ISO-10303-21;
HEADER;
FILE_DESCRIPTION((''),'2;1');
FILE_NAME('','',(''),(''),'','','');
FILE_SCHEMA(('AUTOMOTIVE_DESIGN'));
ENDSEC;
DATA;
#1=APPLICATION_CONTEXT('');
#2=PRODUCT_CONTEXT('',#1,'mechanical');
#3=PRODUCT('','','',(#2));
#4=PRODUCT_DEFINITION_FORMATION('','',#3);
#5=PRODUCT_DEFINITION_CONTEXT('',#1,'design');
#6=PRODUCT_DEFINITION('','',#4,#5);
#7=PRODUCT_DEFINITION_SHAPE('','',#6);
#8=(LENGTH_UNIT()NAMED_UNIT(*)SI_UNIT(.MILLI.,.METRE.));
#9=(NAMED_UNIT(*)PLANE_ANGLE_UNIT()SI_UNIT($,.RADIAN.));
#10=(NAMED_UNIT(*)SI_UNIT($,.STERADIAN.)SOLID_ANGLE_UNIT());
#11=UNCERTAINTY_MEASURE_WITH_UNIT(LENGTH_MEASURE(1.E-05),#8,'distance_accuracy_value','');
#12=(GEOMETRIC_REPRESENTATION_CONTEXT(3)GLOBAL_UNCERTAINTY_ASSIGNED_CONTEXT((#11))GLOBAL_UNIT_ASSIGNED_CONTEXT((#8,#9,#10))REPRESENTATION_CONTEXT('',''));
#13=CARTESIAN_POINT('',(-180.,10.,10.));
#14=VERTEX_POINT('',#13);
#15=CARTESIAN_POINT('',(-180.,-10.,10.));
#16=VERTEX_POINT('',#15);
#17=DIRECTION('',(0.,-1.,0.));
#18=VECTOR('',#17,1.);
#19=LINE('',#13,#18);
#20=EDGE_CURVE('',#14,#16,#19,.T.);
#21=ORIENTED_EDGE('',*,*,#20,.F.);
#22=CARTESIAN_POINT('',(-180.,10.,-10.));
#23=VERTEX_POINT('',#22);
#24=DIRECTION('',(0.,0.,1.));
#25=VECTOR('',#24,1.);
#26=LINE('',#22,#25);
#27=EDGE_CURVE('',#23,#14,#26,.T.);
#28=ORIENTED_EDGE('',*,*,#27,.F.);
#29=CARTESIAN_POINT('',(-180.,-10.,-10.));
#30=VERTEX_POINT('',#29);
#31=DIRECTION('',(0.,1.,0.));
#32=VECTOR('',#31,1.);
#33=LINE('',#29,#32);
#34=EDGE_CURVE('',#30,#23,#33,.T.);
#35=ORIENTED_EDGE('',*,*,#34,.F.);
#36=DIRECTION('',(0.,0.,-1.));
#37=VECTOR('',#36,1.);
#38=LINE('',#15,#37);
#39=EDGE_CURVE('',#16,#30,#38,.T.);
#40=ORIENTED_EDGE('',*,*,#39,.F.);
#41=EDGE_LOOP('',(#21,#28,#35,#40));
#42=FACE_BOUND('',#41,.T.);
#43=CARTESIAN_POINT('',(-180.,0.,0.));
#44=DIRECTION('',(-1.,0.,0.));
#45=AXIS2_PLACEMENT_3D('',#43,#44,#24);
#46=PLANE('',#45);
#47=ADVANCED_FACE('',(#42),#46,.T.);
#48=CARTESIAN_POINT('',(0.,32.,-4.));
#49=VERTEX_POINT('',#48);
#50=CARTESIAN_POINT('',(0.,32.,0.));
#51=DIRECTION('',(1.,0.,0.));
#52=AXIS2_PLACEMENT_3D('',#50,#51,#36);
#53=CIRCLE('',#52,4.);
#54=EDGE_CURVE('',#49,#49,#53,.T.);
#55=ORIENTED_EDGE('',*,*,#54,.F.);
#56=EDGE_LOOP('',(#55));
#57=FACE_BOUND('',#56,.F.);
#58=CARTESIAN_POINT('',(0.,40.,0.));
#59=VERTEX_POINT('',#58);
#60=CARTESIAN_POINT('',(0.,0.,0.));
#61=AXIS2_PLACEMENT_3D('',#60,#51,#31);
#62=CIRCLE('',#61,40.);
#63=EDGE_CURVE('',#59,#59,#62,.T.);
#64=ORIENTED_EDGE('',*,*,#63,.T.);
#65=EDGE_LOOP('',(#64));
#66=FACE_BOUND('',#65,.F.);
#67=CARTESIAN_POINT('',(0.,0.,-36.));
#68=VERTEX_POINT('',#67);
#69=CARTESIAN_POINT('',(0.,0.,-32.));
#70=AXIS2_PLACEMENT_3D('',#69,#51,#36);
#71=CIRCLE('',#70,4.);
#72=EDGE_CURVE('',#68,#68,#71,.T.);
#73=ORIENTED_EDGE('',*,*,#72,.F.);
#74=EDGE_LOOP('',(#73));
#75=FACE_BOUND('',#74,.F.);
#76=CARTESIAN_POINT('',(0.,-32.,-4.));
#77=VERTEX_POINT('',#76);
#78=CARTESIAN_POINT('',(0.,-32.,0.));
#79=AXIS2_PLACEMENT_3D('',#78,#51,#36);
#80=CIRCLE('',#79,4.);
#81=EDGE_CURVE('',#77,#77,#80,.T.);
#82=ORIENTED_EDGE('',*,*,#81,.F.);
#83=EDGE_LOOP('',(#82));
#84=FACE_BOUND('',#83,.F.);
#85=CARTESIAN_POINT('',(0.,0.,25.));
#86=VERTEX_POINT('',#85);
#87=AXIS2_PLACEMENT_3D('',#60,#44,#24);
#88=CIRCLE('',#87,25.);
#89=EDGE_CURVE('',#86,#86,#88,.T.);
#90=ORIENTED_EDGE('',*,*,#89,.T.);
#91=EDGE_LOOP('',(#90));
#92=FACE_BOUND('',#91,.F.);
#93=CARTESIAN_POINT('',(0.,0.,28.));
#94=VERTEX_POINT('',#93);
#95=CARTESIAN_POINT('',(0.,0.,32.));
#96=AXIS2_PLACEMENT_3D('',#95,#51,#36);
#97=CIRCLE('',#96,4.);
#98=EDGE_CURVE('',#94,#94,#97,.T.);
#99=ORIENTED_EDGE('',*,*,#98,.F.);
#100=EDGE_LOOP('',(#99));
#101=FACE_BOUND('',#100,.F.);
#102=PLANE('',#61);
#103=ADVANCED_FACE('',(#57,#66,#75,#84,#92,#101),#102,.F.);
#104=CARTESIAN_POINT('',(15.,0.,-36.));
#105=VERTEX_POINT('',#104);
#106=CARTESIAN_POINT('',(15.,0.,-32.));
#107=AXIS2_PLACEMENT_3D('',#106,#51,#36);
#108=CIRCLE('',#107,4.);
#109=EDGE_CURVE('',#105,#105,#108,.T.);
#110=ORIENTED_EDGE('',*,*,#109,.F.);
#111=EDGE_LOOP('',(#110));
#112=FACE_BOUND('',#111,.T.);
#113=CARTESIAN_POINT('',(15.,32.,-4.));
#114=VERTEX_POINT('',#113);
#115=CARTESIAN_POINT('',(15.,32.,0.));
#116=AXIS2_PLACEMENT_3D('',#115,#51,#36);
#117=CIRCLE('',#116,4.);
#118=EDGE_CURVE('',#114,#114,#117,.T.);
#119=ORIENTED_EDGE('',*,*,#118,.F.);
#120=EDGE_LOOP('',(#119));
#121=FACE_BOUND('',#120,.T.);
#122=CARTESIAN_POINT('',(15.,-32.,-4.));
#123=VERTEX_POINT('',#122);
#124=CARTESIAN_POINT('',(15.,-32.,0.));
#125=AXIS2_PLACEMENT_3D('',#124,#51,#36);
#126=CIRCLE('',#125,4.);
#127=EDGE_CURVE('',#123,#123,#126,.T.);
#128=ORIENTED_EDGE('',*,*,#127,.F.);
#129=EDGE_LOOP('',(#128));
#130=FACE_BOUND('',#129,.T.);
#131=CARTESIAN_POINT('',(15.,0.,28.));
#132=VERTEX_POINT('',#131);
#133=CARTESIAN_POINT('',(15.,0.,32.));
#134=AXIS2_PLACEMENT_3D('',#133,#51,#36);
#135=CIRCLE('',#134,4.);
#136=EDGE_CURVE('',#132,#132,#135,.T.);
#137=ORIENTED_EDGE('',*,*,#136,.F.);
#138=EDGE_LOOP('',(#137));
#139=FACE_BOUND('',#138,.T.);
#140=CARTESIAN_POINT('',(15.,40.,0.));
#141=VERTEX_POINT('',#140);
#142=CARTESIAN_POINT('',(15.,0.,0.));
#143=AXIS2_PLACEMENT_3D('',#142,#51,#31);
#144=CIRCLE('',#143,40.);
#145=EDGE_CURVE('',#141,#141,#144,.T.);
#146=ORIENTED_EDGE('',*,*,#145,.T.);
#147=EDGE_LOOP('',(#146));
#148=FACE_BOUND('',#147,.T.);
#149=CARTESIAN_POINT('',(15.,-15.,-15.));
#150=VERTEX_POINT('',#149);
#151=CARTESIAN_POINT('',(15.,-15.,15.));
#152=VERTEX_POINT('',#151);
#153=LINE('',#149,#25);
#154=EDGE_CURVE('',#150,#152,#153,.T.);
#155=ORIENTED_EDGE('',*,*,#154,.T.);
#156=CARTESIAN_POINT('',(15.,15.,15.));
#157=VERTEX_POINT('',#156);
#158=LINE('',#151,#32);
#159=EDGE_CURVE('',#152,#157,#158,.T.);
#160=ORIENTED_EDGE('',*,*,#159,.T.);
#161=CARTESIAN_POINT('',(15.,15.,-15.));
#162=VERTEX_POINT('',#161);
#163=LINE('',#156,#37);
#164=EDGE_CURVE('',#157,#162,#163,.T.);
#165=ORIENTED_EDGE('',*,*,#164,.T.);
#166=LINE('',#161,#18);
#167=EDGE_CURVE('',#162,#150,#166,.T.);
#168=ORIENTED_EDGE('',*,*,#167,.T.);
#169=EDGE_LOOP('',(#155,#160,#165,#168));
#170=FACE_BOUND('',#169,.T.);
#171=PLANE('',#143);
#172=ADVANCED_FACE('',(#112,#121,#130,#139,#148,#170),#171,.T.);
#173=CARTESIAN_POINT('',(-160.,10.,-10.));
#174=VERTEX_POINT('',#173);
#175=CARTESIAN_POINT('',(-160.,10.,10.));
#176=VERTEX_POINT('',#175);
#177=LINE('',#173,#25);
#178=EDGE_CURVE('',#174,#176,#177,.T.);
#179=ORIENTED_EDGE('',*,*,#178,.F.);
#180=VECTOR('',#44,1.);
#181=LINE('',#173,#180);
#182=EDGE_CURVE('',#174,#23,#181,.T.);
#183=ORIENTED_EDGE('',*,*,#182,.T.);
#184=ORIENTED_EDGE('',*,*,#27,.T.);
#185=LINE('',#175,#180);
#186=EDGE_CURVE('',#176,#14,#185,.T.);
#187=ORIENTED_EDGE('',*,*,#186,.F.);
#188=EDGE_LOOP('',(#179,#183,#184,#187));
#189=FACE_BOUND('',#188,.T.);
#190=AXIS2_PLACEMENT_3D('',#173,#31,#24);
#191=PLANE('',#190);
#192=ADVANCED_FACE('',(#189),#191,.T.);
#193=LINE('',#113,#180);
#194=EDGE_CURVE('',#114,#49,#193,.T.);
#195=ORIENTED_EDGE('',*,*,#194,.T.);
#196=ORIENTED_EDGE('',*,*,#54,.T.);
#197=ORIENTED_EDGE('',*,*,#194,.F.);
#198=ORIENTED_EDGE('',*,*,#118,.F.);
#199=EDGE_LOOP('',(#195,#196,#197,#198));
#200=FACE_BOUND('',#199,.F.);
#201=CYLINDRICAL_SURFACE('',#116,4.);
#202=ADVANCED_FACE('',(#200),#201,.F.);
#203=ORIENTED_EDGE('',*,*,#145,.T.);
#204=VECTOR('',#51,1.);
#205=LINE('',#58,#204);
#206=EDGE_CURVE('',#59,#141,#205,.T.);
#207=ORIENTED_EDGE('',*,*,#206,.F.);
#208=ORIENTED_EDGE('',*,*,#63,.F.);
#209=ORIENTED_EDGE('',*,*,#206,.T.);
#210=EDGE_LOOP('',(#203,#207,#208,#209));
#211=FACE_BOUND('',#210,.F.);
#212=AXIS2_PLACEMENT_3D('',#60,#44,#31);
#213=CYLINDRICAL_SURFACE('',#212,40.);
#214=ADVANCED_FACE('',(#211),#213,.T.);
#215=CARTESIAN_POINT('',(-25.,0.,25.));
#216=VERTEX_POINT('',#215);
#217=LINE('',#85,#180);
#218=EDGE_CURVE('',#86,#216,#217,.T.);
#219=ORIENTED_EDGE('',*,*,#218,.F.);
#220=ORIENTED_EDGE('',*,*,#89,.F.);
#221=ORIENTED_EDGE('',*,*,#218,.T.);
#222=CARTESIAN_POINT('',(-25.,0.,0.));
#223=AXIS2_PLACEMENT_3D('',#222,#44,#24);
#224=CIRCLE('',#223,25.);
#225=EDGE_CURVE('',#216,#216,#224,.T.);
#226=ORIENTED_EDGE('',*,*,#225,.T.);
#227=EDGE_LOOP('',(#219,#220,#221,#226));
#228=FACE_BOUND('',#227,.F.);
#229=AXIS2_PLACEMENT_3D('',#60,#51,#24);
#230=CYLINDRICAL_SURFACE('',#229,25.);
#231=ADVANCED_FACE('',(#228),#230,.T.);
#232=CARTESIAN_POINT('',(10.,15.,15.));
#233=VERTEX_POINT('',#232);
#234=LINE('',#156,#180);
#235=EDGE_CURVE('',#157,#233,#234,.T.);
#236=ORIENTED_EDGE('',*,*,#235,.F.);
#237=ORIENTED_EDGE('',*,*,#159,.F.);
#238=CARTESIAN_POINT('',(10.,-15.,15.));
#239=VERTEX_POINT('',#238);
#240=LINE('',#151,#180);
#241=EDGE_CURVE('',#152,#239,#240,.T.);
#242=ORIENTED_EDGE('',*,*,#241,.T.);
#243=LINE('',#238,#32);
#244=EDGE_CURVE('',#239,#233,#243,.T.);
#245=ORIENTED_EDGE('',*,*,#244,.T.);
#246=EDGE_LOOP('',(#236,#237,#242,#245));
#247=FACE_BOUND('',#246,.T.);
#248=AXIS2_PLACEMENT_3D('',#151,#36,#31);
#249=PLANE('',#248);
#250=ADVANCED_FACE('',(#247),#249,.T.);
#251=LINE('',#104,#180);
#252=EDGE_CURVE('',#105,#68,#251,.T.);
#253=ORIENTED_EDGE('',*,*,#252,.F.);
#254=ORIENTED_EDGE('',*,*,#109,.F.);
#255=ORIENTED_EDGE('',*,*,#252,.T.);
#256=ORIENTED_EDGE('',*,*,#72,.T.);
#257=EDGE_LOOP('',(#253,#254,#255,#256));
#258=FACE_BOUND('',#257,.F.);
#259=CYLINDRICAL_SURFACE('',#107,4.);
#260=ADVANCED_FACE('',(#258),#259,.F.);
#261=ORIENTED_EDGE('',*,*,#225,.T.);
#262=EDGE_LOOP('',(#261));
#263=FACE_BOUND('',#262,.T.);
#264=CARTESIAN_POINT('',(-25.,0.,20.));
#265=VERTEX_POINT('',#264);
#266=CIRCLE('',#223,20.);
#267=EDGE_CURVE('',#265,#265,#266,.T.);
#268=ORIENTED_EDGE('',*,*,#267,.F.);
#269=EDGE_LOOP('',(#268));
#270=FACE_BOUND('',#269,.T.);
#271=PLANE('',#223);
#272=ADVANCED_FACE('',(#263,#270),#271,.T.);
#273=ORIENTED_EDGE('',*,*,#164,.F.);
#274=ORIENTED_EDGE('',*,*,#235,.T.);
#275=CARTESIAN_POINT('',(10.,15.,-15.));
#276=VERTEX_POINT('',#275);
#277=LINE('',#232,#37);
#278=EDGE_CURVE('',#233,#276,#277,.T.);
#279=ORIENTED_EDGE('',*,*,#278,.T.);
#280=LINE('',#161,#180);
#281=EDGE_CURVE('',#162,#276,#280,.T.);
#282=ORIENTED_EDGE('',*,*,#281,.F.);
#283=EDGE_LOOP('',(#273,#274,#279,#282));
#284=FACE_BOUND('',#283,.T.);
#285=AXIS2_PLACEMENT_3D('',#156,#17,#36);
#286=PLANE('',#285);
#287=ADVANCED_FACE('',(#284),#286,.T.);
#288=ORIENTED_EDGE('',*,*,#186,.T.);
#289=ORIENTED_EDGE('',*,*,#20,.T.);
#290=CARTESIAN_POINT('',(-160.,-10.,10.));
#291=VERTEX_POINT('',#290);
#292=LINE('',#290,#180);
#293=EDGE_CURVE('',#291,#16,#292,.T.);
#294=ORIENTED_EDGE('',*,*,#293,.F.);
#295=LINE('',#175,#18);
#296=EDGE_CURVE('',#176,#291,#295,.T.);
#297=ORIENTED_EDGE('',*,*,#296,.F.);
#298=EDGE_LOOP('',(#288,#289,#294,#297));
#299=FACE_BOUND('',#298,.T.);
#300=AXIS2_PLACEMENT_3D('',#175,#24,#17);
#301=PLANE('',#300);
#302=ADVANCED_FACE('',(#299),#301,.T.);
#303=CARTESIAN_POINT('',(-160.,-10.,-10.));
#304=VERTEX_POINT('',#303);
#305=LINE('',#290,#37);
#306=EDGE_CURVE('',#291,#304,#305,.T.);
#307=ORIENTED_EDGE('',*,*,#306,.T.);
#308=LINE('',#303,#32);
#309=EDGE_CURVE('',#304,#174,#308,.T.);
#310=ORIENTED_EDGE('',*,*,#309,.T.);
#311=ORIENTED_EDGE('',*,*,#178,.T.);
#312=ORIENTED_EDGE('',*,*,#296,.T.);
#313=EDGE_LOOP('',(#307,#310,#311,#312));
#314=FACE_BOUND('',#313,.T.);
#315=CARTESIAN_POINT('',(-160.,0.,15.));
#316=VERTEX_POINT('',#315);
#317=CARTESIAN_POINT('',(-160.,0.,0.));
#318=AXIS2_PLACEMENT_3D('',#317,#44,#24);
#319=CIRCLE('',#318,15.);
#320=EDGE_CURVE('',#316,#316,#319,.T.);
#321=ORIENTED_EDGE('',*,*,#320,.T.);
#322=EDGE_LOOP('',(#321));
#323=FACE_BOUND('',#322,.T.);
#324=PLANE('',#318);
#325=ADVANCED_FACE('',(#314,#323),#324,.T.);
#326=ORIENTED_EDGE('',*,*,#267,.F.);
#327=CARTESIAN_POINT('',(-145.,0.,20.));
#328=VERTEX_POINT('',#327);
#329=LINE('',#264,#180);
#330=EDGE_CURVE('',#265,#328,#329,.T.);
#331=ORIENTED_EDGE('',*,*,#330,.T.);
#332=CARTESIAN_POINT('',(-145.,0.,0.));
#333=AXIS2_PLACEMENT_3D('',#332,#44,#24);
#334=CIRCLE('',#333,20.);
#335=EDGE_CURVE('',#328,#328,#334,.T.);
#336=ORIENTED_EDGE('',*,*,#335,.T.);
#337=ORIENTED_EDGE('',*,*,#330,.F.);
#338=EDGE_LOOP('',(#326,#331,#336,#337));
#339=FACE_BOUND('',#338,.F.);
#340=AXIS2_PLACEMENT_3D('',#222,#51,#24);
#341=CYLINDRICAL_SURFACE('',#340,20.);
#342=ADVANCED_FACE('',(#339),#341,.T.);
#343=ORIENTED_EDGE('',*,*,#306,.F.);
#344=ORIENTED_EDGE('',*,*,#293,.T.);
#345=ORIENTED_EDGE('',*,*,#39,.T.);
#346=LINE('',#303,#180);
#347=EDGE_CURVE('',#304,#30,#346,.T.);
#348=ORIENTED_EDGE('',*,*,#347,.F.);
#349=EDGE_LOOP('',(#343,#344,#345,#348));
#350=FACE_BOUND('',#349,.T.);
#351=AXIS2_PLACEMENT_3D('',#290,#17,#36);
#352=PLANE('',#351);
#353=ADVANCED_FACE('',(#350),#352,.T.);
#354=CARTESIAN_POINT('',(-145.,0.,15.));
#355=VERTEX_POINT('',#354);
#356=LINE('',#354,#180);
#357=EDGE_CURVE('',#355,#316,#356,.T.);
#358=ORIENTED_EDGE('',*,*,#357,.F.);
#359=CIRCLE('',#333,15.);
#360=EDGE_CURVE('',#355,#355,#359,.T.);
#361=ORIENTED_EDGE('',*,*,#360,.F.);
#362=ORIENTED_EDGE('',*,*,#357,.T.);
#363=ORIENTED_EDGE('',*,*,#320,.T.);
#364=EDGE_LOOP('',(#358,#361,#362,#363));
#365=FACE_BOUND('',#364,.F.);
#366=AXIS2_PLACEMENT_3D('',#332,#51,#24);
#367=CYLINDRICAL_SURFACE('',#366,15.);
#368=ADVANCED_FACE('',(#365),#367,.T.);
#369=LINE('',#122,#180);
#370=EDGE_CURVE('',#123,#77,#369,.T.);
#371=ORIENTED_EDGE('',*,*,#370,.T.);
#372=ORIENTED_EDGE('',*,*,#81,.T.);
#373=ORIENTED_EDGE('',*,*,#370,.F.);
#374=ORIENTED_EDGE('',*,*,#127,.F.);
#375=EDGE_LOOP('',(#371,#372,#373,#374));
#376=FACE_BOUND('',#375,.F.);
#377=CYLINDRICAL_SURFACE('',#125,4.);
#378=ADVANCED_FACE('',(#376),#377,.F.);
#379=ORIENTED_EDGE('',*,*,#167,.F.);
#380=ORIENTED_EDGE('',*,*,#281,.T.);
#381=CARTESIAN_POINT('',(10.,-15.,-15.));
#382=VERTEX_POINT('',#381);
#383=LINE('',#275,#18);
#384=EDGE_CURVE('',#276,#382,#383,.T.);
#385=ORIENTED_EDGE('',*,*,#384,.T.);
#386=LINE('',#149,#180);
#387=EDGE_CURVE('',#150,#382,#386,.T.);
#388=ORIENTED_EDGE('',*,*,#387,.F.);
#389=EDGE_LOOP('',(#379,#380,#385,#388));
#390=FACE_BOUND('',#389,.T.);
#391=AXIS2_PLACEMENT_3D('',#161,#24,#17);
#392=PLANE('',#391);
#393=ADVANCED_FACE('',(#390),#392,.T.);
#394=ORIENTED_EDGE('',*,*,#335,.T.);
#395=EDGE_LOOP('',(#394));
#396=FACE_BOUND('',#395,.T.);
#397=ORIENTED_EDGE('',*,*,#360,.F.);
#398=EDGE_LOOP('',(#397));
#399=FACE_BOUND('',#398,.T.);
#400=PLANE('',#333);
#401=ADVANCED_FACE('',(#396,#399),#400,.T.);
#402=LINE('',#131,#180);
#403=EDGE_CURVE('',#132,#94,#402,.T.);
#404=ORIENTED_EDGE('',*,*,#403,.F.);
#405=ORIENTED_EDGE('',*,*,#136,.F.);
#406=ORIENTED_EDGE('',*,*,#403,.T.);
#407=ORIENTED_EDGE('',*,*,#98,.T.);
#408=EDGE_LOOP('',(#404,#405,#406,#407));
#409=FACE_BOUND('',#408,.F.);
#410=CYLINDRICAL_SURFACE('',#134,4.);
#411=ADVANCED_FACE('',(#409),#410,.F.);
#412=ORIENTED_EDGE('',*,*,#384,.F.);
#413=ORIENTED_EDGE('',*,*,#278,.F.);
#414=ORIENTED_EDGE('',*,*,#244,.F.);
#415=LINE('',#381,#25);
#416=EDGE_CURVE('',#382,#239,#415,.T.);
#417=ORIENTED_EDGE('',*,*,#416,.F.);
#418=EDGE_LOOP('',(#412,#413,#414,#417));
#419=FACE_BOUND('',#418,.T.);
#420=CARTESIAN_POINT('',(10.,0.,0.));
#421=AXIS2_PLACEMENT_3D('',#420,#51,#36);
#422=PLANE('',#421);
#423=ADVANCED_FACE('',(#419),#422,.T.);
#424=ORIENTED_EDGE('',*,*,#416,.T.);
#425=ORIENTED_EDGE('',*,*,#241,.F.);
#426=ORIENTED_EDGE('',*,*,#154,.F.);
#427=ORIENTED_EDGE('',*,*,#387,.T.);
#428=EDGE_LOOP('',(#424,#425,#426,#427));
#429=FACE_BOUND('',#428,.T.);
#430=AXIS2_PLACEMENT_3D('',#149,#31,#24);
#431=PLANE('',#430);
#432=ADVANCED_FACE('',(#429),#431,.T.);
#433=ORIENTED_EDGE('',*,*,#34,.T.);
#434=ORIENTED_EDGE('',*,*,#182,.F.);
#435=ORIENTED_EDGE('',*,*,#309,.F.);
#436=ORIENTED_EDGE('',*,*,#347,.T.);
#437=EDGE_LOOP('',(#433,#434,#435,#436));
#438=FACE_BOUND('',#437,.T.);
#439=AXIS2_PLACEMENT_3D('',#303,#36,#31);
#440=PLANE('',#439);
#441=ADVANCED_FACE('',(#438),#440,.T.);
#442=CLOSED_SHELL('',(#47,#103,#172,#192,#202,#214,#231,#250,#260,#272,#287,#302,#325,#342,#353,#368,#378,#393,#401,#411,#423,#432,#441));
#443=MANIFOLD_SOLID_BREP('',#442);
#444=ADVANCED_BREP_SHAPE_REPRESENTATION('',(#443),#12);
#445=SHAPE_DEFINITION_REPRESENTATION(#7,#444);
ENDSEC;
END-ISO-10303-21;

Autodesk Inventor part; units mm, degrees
ref_plane "YZ Plane" through (0, 0, 0) normal (1, 0, 0) x (0, 1, 0)
ref_plane "XZ Plane" through (0, 0, 0) normal (0, 1, 0) x (-1, 0, 0)
ref_plane "XY Plane" through (0, 0, 0) normal (0, 0, 1) x (1, 0, 0)
sketch "Sketch1" plane through (0, 0, 0) normal (1, 0, 0) x (0, 1, 0)
  circle A0 centre (0, 0) radius 40
  dimension "d0" = 80
extrude "Extrusion1" add sketch "Sketch1" along normal blind 15
sketch "Sketch2" plane through (0, 0, 0) normal (-1, 0, 0) x (0, 0, 1)
  circle A0 centre (0, 0) radius 25
  circle A1 centre (0, 0) radius 40 projected
  dimension "d3" = 50
extrude "Extrusion2" add sketch "Sketch2" along normal blind 25 contours A0
sketch "Sketch3" plane through (-25, 0, 0) normal (-1, 0, 0) x (0, 0, 1)
  circle A0 centre (0, 0) radius 20
  circle A1 centre (0, 0) radius 25 projected
  dimension "d6" = 40
extrude "Extrusion3" add sketch "Sketch3" along normal blind 120 contours A0
sketch "Sketch4" plane through (-145, 0, 0) normal (-1, 0, 0) x (0, 0, 1)
  circle A0 centre (0, 0) radius 15
  circle A1 centre (0, 0) radius 20 projected
  dimension "d9" = 30
extrude "Extrusion4" add sketch "Sketch4" along normal blind 15 contours A0
sketch "Sketch5" plane through (-160, 0, 0) normal (-1, 0, 0) x (0, 0, 1)
  line L0 (-10, 10) -> (10, 10)
  line L1 (10, 10) -> (10, -10)
  line L2 (10, -10) -> (-10, -10)
  line L3 (-10, -10) -> (-10, 10)
  point P0 (0, 0)
  dimension "d12" = 20
  dimension "d13" = 20
  dimension "d14" = 10
  dimension "d15" = 10
extrude "Extrusion5" add sketch "Sketch5" along normal blind 20
sketch "Sketch6" plane through (15, 0, 0) normal (1, 0, 0) x (0, 0, -1)
  line L0 (-15, 15) -> (15, 15)
  line L1 (15, 15) -> (15, -15)
  line L2 (15, -15) -> (-15, -15)
  line L3 (-15, -15) -> (-15, 15)
  point P0 (0, 0)
  point P1 (-15, 0)
  point P2 (0, 15)
  dimension "d18" = 30
  dimension "d19" = 30
  dimension "d20" = 15
  dimension "d21" = 15
extrude "Extrusion6" cut sketch "Sketch6" against normal blind 5
sketch "Sketch7" plane through (15, 0, 0) normal (1, 0, 0) x (0, 0, -1)
  circle A0 centre (0, 32) radius 4
  circle A1 centre (32, 0) radius 4
  circle A2 centre (-32, 0) radius 4
  circle A3 centre (0, -32) radius 4
  circle A4 centre (0, 0) radius 32 construction
  circle A5 centre (0, 0) radius 40 projected
  dimension "d24" = 64
  dimension "d25" = 8
extrude "Extrusion7" cut sketch "Sketch7" against normal through all contours A0 | A1 | A2 | A3
properties part number "DRIVE SHAFT"
